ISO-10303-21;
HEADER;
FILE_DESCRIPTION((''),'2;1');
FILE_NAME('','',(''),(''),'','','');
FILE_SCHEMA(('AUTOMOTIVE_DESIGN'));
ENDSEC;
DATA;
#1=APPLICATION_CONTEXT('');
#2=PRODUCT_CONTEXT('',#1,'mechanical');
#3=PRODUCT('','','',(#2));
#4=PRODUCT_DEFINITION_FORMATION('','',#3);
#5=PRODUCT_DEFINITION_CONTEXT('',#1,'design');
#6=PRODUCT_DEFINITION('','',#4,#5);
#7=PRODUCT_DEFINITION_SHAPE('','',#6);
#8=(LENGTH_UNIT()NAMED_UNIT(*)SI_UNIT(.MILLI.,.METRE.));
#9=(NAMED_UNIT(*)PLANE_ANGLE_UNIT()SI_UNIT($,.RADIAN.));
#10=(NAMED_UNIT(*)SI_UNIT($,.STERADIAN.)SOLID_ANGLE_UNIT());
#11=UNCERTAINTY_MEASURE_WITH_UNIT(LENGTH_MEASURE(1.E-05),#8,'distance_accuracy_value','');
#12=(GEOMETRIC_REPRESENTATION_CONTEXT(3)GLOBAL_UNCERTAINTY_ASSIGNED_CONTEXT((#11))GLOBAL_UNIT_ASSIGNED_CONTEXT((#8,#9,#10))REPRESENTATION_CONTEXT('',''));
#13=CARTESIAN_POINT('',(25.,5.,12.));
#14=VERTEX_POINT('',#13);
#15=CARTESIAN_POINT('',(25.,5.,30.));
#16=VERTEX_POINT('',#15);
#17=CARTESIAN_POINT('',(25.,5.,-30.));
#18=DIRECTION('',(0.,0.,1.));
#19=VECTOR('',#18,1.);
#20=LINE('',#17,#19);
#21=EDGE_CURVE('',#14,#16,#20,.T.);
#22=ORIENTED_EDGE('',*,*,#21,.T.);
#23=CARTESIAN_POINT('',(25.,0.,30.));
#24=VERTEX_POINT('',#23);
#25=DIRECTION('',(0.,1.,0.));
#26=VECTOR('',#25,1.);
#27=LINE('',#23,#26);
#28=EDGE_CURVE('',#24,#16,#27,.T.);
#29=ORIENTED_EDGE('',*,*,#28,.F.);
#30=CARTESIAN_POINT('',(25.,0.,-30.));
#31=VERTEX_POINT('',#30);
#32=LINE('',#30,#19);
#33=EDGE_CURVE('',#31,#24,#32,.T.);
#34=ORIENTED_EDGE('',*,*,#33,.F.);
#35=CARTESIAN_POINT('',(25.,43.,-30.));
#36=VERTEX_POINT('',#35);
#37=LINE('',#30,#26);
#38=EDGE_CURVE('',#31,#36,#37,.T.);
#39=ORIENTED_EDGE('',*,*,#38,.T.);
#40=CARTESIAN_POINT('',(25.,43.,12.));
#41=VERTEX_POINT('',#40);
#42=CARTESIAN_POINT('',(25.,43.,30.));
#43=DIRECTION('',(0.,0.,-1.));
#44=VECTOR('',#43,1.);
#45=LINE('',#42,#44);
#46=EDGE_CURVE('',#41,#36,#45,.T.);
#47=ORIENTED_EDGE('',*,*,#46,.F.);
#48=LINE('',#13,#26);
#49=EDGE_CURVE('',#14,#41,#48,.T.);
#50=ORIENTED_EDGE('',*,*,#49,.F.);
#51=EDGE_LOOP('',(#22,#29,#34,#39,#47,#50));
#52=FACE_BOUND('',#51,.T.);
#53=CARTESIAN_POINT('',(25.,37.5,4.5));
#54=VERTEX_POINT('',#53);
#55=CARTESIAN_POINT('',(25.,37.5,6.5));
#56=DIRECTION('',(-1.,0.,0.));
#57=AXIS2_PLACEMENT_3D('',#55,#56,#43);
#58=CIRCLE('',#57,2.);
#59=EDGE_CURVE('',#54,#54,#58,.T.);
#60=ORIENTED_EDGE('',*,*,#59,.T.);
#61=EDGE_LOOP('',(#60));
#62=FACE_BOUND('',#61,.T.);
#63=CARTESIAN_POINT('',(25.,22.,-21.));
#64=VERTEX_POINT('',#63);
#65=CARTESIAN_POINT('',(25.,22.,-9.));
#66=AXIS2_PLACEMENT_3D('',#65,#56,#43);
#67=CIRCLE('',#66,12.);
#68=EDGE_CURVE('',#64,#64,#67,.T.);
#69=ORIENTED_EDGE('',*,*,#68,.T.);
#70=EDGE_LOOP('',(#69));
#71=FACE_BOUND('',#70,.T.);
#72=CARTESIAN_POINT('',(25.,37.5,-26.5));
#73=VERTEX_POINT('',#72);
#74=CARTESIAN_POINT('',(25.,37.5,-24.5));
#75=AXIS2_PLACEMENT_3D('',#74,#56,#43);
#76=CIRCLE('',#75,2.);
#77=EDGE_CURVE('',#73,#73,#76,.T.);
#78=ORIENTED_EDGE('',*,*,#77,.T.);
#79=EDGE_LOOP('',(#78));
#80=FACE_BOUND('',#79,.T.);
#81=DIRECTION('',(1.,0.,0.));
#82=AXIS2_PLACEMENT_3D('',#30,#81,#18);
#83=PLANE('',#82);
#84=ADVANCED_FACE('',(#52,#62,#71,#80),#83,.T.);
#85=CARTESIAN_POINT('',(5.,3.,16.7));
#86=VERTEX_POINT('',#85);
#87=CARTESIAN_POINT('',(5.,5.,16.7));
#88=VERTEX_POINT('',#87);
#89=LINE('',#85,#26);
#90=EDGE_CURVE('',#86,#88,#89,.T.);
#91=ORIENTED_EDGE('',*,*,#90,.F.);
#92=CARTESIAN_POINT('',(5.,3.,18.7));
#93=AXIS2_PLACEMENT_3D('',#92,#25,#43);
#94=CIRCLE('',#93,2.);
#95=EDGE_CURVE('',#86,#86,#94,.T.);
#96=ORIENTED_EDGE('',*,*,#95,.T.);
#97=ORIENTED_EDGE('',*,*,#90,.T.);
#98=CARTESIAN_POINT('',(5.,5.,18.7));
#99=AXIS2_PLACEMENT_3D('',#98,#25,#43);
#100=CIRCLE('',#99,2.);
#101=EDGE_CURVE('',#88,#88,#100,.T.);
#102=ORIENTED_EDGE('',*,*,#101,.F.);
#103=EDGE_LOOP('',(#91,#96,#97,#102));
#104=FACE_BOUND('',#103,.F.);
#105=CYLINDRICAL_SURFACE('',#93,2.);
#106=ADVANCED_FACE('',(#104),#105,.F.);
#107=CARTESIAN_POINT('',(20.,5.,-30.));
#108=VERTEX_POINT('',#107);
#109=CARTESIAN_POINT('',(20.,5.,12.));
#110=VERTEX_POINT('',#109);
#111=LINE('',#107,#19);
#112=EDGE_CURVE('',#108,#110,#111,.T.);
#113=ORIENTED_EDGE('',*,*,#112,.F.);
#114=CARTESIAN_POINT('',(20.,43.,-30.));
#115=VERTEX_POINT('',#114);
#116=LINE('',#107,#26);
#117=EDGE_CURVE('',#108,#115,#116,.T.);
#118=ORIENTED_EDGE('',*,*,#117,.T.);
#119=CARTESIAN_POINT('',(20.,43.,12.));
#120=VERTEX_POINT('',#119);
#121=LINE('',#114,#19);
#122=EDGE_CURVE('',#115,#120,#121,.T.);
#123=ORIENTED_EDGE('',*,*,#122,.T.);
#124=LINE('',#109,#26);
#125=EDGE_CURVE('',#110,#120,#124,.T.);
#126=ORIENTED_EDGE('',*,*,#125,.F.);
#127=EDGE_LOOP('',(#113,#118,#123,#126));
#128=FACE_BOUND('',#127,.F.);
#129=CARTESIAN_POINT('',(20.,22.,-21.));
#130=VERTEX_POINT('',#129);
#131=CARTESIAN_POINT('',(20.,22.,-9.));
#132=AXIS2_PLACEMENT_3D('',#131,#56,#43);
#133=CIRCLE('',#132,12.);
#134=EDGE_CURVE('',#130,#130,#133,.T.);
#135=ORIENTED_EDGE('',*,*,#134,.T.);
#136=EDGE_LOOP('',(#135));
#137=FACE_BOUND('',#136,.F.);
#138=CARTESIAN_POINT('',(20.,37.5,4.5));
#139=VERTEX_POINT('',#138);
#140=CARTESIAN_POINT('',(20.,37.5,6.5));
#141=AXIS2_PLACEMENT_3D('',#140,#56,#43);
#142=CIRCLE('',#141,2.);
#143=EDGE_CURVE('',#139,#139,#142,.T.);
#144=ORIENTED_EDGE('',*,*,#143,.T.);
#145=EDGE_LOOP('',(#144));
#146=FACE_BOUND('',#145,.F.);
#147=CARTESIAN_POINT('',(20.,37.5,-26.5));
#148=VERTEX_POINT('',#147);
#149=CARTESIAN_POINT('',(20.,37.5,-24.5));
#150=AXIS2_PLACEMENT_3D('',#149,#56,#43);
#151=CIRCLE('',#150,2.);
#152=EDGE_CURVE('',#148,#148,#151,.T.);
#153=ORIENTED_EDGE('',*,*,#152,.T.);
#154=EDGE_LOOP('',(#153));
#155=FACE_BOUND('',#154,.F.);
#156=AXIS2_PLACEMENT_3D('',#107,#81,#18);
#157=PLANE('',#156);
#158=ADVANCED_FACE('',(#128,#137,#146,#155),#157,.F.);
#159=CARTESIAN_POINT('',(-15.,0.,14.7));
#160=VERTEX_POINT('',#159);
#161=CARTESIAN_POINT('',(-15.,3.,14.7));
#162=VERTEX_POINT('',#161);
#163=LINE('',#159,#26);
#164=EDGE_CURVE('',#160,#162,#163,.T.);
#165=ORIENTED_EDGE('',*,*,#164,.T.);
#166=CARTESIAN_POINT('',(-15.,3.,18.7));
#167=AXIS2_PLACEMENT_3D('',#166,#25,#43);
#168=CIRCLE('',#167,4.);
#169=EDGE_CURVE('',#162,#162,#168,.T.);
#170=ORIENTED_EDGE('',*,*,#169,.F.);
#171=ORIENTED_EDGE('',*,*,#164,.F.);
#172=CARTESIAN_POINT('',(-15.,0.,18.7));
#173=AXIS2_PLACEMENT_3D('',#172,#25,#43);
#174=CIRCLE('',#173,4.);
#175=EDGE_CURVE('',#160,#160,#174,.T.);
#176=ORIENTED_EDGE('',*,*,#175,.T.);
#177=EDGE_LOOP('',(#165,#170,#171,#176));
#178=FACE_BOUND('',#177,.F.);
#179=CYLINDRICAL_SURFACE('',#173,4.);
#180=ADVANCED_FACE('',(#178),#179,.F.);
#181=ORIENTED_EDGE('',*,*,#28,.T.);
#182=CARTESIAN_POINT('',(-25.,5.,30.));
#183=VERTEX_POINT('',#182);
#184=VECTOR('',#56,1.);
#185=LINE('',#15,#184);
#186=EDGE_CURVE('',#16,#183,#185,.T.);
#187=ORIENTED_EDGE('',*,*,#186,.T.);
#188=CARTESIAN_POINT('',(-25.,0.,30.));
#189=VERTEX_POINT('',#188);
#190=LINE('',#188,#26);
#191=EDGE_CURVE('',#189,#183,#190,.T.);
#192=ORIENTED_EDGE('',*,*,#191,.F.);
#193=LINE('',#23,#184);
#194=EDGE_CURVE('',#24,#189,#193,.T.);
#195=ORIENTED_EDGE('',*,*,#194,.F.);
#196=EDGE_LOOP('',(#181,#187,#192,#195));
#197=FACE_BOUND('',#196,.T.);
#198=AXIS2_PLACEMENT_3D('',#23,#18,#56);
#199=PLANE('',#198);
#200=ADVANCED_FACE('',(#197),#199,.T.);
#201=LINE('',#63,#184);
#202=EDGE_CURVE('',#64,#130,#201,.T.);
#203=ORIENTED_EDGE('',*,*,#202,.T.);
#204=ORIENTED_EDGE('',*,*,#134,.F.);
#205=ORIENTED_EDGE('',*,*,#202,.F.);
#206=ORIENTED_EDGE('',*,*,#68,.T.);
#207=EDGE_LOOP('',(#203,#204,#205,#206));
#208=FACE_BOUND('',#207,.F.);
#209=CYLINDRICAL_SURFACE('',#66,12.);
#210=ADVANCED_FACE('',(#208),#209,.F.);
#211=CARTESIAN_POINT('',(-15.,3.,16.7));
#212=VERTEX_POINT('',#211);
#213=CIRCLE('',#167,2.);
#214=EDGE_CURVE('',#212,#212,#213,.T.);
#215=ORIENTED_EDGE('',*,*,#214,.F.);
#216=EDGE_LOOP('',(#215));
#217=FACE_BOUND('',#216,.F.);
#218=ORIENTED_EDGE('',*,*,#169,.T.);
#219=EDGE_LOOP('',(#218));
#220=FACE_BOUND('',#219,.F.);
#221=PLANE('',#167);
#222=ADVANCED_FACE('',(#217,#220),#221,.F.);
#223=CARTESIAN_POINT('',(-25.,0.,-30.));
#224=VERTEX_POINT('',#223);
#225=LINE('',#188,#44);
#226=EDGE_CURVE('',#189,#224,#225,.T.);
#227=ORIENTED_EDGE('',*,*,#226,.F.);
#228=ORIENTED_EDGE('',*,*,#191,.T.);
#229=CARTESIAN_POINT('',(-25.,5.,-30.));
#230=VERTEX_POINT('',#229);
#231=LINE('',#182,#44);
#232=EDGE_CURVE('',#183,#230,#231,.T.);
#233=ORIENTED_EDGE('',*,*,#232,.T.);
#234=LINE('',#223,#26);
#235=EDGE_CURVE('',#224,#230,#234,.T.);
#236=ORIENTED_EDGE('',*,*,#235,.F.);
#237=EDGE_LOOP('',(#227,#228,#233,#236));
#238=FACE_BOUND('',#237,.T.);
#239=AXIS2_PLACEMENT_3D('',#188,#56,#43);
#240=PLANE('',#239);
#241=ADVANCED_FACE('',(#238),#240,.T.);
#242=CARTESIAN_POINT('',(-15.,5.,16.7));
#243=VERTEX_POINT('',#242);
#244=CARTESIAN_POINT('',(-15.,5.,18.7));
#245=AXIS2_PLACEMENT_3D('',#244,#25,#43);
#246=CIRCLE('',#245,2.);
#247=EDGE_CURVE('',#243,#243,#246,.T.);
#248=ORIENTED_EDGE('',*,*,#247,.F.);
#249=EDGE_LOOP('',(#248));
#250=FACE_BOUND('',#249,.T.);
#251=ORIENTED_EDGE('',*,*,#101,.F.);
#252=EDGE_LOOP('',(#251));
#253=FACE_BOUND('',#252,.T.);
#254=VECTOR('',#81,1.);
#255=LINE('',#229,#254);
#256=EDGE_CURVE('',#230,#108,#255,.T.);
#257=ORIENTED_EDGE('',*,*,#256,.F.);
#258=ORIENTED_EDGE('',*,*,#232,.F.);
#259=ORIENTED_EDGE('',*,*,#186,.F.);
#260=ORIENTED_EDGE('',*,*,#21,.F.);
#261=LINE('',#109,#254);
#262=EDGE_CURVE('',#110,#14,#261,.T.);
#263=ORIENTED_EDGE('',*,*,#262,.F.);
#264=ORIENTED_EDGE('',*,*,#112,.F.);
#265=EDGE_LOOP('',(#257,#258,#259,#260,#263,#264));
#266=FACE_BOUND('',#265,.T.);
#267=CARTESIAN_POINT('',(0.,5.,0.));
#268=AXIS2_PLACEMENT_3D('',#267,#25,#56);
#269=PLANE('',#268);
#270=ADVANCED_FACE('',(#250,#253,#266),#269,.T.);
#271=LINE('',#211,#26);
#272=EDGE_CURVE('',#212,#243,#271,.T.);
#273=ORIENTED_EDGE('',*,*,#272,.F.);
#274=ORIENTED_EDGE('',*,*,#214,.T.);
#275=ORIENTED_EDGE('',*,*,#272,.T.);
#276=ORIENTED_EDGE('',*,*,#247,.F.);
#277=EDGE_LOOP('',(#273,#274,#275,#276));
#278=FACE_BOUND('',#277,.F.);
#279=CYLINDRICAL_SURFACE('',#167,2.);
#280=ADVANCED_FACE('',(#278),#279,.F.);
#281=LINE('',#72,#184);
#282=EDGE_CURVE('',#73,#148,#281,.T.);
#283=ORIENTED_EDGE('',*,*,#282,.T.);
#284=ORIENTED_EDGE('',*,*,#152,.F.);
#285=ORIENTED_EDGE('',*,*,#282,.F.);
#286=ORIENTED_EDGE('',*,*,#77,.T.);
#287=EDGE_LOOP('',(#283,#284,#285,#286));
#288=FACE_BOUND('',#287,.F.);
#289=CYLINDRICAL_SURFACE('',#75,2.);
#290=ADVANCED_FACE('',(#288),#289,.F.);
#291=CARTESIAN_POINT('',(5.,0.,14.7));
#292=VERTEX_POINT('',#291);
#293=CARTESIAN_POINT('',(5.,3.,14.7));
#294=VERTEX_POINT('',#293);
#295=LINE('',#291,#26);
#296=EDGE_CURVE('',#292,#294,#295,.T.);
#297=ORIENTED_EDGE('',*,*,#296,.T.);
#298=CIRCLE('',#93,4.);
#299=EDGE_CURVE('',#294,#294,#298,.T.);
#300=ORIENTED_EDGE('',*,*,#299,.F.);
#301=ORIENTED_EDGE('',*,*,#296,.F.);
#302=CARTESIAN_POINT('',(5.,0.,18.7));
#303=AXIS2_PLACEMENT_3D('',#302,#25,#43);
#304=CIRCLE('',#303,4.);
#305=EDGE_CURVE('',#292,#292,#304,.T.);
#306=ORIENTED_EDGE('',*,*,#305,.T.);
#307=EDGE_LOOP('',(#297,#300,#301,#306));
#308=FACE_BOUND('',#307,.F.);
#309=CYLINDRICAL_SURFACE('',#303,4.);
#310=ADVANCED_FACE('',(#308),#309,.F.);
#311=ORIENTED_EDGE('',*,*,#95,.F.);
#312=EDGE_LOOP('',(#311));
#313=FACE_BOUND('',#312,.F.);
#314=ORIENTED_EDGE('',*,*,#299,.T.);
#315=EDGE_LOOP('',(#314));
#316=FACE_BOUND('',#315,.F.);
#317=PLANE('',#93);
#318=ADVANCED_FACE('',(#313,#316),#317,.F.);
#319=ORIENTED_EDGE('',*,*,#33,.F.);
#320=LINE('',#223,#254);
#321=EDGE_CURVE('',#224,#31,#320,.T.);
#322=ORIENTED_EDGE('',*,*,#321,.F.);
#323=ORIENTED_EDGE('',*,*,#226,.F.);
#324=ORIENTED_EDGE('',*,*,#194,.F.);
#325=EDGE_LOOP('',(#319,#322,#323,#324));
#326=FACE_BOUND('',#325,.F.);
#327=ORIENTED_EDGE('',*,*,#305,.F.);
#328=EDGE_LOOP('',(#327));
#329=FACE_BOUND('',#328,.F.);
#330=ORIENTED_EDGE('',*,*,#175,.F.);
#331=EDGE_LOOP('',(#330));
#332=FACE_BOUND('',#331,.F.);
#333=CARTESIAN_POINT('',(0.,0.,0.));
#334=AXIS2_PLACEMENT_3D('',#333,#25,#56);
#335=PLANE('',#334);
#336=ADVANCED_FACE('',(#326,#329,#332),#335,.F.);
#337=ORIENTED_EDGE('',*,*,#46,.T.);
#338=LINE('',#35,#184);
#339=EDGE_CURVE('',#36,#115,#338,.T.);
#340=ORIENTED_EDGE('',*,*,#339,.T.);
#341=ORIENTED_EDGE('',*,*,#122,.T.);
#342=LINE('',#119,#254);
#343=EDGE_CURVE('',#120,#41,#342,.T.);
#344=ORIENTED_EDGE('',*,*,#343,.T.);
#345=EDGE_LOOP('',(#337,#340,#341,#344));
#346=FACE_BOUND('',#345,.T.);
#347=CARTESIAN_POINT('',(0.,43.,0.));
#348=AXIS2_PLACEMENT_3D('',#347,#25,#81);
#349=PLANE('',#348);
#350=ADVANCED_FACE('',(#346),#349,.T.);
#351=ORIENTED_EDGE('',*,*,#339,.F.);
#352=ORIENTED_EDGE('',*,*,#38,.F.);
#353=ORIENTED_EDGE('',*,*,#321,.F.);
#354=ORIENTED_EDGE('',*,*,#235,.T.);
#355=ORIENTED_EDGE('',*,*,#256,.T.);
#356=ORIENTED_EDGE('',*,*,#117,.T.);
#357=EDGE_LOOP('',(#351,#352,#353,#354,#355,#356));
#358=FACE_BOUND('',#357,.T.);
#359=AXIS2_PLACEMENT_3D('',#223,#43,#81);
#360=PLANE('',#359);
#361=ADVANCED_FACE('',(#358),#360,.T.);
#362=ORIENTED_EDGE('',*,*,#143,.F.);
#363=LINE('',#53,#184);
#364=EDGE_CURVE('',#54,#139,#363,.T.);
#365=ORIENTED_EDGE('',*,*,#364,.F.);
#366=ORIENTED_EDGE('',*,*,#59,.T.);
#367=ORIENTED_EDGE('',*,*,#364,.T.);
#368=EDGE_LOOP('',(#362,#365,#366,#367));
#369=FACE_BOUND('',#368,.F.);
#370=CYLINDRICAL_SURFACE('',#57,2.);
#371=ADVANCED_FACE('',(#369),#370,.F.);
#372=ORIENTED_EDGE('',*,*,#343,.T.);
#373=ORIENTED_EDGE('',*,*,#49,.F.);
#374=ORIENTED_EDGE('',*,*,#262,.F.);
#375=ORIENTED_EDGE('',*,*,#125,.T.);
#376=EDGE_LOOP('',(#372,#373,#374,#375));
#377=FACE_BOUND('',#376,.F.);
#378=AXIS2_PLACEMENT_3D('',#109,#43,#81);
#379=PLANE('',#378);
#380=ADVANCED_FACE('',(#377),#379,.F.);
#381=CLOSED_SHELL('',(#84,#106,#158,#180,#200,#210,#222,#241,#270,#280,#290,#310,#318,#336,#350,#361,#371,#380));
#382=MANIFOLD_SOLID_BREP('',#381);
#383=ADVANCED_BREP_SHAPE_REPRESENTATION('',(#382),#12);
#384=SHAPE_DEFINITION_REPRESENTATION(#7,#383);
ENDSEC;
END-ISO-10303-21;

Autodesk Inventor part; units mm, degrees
ref_plane "YZ Plane" through (0, 0, 0) normal (1, 0, 0) x (0, 1, 0)
ref_plane "XZ Plane" through (0, 0, 0) normal (0, 1, 0) x (-1, 0, 0)
ref_plane "XY Plane" through (0, 0, 0) normal (0, 0, 1) x (1, 0, 0)
sketch "Skizze1" plane through (0, 0, 0) normal (0, 1, 0) x (-1, 0, 0)
  line L0 (-25, 30) -> (25, 30)
  line L1 (25, 30) -> (25, -30)
  line L2 (25, -30) -> (-25, -30)
  line L3 (-25, -30) -> (-25, 30)
  line L4 (-25, 30) -> (25, -30) construction
  line L5 (25, 30) -> (-25, -30) construction
  point P0 (0, 0)
  dimension "d0" = 50
  dimension "d1" = 60
extrude "Extrusion1" add sketch "Skizze1" along normal blind 5
sketch "Skizze2" plane through (0, 5, 0) normal (0, 1, 0) x (1, 0, 0)
  line L0 (-25, -30) -> (25, -30) projected
  line L1 (25, -30) -> (25, 30) projected
  line L2 (25, 30) -> (-25, 30) projected
  line L3 (-25, 30) -> (-25, -30) projected
  line L4 (25, -30) -> (25, 30) projected
  line L5 (25, 30) -> (20, 30)
  line L6 (20, 30) -> (20, -12)
  line L7 (20, -12) -> (25, -12)
  line L8 (25, -12) -> (25, 30)
  point P0 (0, 0)
  dimension "d8" = 5
  dimension "d9" = 42
extrude "Extrusion2" add sketch "Skizze2" along normal blind 38 contours L7 L6 L2 L1
sketch "Skizze3" plane through (25, 0, 30) normal (1, 0, 0) x (0, 0, -1)
  line L0 (60, 0) -> (0, 0) projected
  line L1 (60, 0) -> (60, 43) projected
  line L2 (18, 43) -> (60, 43) projected
  line L3 (18, 5) -> (18, 43) projected
  line L4 (0, 5) -> (18, 5) projected
  line L5 (0, 0) -> (0, 5) projected
  line L6 (39, -5.2039) -> (39, 72.0028) construction
  line L7 (23.5, 6.5) -> (54.5, 6.5) construction
  line L8 (54.5, 6.5) -> (54.5, 37.5) construction
  line L9 (54.5, 37.5) -> (23.5, 37.5) construction
  line L10 (23.5, 37.5) -> (23.5, 6.5) construction
  line L11 (23.5, 6.5) -> (54.5, 37.5) construction
  line L12 (54.5, 6.5) -> (23.5, 37.5) construction
  point P0 (30, 0)
  point P1 (39, 22)
  dimension "d10" = 21
  dimension "d11" = 17
  dimension "d19" = 31
  dimension "d20" = 31
hole "Bohrung1" at (25, 22, -9) direction (-1, 0, 0) diameter 24 end through all
hole "Bohrung2" at (25, 37.5, 6.5) at (25, 37.5, -24.5) direction (-1, 0, 0) diameter 4 end through all
sketch "Skizze5" plane through (0, 0, 0) normal (0, -1, 0) x (1, 0, 0)
  line L0 (25, 30) -> (-25, 30) projected
  line L1 (-25, 30) -> (-25, -30) projected
  line L2 (-25, -30) -> (25, -30) projected
  line L3 (25, -30) -> (25, 30) projected
  line L4 (32.3204, 18.7) -> (-38.6965, 18.7) construction
  point P0 (0, 0)
  point P1 (-15, 18.7)
  point P2 (5, 18.7)
  dimension "d31" = 11.3
  dimension "d32" = 10
  dimension "d33" = 20
hole "Bohrung3" at (-15, 0, 18.7) at (5, 0, 18.7) direction (0, 1, 0) diameter 4 end through all counterbore diameter 8 counterbore depth 3
properties part number "Backplate"
